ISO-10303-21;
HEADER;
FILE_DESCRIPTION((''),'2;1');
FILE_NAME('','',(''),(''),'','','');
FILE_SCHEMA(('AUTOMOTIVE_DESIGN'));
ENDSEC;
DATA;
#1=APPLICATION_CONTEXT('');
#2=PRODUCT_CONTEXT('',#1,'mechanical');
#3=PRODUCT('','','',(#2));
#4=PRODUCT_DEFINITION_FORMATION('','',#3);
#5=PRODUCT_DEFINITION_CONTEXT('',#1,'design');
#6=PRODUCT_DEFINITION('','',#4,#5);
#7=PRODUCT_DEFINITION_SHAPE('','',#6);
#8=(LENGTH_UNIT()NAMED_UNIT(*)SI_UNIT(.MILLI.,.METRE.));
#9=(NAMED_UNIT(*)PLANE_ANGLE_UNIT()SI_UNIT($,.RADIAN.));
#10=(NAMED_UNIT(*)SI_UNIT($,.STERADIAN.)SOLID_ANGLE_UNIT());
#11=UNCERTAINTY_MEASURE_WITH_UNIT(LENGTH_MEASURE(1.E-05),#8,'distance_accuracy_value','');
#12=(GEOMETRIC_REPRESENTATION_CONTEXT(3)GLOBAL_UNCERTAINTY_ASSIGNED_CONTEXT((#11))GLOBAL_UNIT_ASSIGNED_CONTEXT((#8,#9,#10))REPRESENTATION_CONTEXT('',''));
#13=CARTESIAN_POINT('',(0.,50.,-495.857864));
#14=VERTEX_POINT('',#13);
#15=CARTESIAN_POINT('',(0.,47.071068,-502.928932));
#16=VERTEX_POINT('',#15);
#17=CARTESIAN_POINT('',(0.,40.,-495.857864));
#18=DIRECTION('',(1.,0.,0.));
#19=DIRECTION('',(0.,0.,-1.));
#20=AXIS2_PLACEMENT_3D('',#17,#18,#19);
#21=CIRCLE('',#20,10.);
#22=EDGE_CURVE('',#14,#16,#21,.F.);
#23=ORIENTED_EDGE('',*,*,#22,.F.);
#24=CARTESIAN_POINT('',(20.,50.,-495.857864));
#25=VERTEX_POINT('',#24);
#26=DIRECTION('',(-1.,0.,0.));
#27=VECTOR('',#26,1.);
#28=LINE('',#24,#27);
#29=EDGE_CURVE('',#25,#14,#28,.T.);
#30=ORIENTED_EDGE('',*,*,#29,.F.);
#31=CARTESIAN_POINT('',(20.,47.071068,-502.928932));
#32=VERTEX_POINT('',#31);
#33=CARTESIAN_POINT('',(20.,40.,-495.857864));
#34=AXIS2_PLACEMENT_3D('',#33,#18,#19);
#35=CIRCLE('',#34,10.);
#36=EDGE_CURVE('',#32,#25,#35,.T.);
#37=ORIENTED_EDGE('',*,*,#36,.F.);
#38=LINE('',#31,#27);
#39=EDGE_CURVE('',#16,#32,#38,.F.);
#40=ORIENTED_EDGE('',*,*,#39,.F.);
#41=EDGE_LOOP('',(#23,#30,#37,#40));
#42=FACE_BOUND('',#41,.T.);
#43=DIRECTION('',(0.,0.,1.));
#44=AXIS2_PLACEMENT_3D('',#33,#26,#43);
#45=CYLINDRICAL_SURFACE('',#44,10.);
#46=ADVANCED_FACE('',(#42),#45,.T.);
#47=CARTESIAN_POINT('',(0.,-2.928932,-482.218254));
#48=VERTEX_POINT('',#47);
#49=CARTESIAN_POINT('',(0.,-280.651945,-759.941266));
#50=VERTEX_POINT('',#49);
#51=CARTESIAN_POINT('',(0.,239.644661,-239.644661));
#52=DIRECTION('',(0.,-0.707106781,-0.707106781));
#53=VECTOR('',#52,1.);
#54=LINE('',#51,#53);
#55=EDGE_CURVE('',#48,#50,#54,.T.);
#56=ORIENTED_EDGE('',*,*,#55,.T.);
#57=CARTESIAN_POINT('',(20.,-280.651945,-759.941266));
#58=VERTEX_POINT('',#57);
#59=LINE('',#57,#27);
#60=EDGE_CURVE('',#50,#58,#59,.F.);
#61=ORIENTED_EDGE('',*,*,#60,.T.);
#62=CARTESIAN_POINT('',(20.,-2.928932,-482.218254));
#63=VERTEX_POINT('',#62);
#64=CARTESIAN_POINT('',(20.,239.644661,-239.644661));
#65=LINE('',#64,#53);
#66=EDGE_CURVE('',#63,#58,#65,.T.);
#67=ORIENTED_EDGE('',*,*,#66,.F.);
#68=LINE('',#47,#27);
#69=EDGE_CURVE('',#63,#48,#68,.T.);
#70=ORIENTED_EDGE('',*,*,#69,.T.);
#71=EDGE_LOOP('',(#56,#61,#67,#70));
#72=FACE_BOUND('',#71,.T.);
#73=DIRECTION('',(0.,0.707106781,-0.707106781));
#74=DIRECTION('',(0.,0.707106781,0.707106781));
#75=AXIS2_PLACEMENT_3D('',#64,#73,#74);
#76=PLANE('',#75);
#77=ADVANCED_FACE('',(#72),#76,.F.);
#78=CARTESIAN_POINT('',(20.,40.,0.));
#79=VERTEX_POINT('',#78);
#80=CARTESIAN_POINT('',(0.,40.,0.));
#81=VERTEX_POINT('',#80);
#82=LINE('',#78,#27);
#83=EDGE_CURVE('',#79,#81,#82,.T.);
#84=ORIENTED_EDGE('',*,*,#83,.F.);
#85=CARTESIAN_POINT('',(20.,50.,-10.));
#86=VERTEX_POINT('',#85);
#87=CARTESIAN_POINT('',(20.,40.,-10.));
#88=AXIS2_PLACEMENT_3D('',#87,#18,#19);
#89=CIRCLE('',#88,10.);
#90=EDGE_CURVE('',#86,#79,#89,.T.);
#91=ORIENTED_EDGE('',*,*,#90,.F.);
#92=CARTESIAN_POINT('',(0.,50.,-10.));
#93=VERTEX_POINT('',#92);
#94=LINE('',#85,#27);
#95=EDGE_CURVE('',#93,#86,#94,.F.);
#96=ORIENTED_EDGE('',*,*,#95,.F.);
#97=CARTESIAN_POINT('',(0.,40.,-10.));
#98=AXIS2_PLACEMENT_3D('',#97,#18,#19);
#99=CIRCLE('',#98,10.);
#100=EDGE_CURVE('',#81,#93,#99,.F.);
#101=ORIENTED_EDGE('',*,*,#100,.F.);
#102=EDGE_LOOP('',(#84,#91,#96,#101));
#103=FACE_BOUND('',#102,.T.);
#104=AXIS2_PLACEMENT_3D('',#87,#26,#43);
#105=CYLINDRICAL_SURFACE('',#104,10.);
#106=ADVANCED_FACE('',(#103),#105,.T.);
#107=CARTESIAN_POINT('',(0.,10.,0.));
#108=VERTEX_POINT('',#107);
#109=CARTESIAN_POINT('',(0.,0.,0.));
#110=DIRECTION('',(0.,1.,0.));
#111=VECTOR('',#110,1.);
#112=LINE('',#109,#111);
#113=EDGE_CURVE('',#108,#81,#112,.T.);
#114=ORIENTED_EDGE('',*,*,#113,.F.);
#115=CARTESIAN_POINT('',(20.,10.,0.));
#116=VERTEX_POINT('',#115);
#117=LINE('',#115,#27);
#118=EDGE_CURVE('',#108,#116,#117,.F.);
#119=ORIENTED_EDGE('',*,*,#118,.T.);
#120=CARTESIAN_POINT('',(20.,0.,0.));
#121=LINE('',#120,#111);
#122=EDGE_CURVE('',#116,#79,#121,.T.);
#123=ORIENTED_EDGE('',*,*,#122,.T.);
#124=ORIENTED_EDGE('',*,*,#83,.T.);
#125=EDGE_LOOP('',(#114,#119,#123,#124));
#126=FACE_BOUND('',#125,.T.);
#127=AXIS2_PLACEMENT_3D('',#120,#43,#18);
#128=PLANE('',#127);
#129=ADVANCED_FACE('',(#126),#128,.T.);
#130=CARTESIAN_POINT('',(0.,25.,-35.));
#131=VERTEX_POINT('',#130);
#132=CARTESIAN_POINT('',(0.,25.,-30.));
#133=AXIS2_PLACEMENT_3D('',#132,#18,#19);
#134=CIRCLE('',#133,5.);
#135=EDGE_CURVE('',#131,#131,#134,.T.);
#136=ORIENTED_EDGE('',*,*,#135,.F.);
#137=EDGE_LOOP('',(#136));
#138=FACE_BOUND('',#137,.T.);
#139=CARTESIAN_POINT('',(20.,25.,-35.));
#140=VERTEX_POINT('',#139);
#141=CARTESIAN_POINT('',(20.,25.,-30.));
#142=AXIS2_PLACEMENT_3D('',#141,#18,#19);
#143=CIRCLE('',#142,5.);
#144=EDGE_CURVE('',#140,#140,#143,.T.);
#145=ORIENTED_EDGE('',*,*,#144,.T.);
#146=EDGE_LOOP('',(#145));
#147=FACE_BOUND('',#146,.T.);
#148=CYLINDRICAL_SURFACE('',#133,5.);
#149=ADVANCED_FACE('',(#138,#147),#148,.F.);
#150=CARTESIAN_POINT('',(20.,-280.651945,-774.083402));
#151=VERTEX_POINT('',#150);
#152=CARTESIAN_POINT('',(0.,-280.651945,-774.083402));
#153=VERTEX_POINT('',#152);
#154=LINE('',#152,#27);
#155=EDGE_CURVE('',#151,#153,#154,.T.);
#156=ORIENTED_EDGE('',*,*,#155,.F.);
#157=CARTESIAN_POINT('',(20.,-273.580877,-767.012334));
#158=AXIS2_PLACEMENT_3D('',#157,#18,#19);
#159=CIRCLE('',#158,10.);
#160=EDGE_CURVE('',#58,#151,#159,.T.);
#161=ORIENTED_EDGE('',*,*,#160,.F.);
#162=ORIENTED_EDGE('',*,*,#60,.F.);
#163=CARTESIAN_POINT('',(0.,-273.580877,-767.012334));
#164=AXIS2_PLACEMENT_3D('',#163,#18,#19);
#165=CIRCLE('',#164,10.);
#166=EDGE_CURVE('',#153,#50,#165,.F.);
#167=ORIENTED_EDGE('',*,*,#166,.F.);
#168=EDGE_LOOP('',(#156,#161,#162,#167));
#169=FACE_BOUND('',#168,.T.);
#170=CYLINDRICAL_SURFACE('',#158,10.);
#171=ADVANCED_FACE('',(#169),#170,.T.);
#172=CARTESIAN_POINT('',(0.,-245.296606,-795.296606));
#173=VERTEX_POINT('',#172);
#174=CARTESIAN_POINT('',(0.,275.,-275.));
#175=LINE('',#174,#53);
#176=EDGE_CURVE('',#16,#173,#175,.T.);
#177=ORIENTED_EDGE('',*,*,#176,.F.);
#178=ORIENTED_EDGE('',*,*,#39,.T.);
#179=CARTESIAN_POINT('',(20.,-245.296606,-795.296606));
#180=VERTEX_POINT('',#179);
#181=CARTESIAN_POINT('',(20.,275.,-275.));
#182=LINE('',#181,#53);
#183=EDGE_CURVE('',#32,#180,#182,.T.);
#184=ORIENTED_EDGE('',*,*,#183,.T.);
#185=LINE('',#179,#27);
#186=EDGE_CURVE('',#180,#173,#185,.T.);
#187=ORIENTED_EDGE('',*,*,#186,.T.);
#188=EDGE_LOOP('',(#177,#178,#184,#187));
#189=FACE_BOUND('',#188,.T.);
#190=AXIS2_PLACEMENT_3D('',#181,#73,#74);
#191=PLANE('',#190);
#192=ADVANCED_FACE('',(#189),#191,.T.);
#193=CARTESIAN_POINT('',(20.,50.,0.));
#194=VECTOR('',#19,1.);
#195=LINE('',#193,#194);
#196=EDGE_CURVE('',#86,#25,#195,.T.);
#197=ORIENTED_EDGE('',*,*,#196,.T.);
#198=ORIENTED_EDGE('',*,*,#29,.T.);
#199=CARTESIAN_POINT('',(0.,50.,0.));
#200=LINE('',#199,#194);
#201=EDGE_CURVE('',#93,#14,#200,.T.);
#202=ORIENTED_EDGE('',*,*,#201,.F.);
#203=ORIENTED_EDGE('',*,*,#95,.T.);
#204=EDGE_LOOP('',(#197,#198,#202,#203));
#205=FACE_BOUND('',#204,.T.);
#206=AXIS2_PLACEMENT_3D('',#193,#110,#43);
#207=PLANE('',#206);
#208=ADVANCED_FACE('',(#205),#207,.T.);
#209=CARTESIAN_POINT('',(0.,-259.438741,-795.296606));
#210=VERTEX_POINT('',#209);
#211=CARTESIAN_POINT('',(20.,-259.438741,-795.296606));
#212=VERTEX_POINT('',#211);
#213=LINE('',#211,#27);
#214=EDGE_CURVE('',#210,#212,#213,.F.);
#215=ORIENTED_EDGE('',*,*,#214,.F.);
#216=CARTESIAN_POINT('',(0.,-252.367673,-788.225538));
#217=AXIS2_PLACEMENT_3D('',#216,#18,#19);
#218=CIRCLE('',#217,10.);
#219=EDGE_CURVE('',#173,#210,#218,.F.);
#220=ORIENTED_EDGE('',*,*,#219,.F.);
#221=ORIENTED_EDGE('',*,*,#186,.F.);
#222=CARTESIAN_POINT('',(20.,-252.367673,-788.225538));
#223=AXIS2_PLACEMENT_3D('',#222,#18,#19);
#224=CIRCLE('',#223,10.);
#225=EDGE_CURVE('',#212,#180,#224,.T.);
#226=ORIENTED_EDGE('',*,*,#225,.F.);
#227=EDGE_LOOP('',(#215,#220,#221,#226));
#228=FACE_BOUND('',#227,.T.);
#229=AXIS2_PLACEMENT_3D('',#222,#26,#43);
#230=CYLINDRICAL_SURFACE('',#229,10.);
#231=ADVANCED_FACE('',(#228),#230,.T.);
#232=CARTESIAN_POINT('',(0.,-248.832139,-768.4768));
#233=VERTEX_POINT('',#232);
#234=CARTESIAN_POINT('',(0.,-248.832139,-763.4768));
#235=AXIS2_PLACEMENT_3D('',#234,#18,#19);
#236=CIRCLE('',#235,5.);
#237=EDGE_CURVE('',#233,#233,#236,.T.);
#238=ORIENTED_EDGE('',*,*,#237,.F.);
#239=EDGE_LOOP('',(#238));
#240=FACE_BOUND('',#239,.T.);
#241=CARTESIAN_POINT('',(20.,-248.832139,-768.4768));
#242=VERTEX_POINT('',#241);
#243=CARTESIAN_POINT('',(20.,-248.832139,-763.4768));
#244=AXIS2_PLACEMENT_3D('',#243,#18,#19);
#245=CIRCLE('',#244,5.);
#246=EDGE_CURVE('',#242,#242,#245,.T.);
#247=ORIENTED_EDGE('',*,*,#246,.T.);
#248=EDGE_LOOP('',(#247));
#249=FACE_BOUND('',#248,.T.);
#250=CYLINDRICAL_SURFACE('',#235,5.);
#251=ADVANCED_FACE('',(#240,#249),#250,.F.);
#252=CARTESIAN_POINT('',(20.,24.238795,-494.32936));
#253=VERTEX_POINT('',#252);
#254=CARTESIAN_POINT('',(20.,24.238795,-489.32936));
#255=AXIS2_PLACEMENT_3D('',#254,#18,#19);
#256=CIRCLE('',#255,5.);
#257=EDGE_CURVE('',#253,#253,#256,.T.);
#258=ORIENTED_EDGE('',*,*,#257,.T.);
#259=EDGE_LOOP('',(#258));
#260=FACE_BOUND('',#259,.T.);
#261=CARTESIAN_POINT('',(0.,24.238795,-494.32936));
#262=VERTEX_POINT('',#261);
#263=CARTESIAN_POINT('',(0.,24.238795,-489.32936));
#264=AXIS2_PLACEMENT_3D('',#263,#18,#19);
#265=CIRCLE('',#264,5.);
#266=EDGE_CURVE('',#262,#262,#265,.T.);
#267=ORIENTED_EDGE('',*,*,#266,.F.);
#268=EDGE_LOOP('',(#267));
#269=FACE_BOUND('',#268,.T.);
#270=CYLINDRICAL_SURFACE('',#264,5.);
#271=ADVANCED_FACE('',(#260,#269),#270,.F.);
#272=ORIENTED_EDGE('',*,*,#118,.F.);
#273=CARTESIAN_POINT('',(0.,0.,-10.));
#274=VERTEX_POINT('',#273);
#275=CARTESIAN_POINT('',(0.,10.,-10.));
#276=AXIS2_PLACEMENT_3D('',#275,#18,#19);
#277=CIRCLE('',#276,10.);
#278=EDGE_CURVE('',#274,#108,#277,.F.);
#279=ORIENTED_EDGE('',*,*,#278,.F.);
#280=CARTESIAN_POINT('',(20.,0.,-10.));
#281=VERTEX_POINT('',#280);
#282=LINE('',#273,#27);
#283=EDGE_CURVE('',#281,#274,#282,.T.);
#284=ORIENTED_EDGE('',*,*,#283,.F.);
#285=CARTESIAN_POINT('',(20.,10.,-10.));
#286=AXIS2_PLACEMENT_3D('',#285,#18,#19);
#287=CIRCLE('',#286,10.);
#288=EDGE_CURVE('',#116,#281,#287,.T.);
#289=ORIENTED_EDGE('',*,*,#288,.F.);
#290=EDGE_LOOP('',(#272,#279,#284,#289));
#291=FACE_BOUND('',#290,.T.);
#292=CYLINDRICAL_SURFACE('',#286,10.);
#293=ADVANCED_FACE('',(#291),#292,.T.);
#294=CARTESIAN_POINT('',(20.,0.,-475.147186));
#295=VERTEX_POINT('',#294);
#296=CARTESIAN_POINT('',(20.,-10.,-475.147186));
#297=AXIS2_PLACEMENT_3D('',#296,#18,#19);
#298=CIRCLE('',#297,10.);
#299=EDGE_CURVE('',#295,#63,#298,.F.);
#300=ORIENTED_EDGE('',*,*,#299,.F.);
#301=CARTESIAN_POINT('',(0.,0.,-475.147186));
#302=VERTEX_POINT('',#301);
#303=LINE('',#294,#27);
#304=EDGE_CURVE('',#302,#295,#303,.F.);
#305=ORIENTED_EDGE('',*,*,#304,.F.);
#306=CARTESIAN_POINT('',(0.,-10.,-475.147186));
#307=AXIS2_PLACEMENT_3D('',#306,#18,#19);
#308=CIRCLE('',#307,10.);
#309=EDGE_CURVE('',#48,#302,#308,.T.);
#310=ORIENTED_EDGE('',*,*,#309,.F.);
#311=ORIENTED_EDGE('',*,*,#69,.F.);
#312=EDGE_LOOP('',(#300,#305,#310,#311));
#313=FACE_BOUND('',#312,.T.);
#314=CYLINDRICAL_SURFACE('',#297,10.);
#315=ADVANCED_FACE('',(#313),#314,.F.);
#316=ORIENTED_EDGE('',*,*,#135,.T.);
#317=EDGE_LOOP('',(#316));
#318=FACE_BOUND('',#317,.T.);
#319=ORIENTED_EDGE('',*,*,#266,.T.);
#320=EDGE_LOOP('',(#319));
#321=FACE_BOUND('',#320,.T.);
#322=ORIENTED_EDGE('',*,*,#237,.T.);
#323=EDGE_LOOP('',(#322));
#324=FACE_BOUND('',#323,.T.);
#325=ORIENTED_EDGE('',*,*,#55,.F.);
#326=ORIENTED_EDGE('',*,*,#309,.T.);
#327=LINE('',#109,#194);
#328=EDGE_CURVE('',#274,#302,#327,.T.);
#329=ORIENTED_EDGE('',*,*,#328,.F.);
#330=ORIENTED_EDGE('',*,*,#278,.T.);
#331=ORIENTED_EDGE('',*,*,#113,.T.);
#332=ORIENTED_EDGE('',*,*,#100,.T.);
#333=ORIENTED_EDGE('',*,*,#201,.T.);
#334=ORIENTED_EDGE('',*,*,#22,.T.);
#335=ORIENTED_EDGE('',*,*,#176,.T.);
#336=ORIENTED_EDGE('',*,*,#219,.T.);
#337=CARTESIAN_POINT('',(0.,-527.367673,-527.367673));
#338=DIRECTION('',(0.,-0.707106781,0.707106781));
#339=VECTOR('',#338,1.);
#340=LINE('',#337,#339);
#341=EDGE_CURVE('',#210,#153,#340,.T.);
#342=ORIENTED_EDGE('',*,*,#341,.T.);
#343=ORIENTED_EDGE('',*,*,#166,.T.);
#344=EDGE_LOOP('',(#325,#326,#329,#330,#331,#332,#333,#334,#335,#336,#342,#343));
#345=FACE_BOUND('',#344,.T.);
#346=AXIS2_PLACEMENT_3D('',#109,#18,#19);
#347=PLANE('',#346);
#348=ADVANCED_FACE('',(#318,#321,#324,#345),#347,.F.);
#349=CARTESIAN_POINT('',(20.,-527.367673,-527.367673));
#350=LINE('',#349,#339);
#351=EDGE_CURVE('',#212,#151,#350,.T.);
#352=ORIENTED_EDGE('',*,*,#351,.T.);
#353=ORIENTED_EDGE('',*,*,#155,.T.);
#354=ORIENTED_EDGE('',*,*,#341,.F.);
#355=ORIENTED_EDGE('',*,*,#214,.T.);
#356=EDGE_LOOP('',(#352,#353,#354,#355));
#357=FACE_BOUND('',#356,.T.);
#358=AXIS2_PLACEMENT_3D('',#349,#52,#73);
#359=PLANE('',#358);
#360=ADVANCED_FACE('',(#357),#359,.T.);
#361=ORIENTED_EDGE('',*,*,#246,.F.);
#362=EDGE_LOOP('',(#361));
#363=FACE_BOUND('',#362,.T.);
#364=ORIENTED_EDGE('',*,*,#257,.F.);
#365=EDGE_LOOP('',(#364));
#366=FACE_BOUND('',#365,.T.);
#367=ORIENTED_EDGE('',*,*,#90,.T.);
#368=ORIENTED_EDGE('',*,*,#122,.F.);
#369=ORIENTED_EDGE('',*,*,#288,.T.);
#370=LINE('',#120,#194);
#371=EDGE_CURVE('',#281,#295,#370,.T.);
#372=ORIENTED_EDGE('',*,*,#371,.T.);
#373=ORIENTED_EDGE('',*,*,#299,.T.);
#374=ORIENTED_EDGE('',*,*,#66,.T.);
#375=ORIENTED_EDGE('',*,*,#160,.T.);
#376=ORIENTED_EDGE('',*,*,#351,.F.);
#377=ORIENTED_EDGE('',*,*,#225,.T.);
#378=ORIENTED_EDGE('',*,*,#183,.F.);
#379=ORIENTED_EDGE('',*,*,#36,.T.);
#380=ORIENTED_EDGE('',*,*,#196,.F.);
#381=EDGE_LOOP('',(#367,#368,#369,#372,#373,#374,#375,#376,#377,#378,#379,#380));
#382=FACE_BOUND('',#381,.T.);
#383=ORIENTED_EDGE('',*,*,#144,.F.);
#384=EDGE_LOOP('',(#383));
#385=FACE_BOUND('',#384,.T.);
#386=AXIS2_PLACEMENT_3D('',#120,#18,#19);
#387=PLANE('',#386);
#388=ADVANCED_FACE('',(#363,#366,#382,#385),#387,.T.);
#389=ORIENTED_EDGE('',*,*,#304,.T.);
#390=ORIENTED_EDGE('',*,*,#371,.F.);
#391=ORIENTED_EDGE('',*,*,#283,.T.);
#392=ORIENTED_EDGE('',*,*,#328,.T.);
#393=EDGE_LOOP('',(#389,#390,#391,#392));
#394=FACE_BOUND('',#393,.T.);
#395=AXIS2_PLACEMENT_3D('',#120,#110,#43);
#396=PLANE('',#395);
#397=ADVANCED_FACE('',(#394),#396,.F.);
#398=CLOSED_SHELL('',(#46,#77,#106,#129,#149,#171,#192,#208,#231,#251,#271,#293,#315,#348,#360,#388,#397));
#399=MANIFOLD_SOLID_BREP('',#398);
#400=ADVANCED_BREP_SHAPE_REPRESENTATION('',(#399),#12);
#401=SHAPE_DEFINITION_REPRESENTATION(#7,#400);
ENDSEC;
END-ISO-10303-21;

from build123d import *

# Parameters (mm, degrees)
BOSS_EXTRUDE1_DEPTH = 20
FILLET1_R           = 10
SKETCH2_R           = 5
CUT_EXTRUDE1_DEPTH  = 20
SKETCH3_R           = 5
CUT_EXTRUDE2_DEPTH  = 20
SKETCH4_R           = 5
CUT_EXTRUDE3_DEPTH  = 20


with BuildPart() as part:
    # Sketch1 → Boss-Extrude1 (new body)
    with BuildSketch(Plane(origin=(0, 0, 0), x_dir=(0, 0, -1), z_dir=(1, 0, 0))):
        Polygon((0, 0), (479.289321881, 0), (767.012334311, -287.72301243), (802.367673371, -252.367673371), (500, 50), (0, 50), align=None)
    extrude(amount=BOSS_EXTRUDE1_DEPTH)

    # Fillet1
    fillet1_edges = [part.edges().sort_by_distance(p)[0] for p in [
        (10, 0, 0),
        (10, 50, 0),
        (10, 50, -500),
        (10, -252.367673371, -802.367673371),
        (10, -287.72301243, -767.012334311),
        (10, 0, -479.289321881),
    ]]
    fillet(fillet1_edges, radius=FILLET1_R)

    # Sketch2 → Cut-Extrude1 (cut)
    with BuildSketch(Plane(origin=(20, 0, 0), x_dir=(0, 0, -1), z_dir=(1, 0, 0))):
        with Locations((30, 25)):
            Circle(SKETCH2_R)
    extrude(amount=-CUT_EXTRUDE1_DEPTH, mode=Mode.SUBTRACT)

    # Sketch3 → Cut-Extrude2 (cut)
    with BuildSketch(Plane(origin=(20, 0, 0), x_dir=(0, 0, -1), z_dir=(1, 0, 0))):
        with Locations((763.476800406, -248.832139465)):
            Circle(SKETCH3_R)
    extrude(amount=-CUT_EXTRUDE2_DEPTH, mode=Mode.SUBTRACT)

    # Sketch4 → Cut-Extrude3 (cut)
    with BuildSketch(Plane(origin=(20, 0, 0), x_dir=(0, 0, -1), z_dir=(1, 0, 0))):
        with Locations((489.329359641, 24.238795325)):
            Circle(SKETCH4_R)
    extrude(amount=-CUT_EXTRUDE3_DEPTH, mode=Mode.SUBTRACT)


solid = part.part
